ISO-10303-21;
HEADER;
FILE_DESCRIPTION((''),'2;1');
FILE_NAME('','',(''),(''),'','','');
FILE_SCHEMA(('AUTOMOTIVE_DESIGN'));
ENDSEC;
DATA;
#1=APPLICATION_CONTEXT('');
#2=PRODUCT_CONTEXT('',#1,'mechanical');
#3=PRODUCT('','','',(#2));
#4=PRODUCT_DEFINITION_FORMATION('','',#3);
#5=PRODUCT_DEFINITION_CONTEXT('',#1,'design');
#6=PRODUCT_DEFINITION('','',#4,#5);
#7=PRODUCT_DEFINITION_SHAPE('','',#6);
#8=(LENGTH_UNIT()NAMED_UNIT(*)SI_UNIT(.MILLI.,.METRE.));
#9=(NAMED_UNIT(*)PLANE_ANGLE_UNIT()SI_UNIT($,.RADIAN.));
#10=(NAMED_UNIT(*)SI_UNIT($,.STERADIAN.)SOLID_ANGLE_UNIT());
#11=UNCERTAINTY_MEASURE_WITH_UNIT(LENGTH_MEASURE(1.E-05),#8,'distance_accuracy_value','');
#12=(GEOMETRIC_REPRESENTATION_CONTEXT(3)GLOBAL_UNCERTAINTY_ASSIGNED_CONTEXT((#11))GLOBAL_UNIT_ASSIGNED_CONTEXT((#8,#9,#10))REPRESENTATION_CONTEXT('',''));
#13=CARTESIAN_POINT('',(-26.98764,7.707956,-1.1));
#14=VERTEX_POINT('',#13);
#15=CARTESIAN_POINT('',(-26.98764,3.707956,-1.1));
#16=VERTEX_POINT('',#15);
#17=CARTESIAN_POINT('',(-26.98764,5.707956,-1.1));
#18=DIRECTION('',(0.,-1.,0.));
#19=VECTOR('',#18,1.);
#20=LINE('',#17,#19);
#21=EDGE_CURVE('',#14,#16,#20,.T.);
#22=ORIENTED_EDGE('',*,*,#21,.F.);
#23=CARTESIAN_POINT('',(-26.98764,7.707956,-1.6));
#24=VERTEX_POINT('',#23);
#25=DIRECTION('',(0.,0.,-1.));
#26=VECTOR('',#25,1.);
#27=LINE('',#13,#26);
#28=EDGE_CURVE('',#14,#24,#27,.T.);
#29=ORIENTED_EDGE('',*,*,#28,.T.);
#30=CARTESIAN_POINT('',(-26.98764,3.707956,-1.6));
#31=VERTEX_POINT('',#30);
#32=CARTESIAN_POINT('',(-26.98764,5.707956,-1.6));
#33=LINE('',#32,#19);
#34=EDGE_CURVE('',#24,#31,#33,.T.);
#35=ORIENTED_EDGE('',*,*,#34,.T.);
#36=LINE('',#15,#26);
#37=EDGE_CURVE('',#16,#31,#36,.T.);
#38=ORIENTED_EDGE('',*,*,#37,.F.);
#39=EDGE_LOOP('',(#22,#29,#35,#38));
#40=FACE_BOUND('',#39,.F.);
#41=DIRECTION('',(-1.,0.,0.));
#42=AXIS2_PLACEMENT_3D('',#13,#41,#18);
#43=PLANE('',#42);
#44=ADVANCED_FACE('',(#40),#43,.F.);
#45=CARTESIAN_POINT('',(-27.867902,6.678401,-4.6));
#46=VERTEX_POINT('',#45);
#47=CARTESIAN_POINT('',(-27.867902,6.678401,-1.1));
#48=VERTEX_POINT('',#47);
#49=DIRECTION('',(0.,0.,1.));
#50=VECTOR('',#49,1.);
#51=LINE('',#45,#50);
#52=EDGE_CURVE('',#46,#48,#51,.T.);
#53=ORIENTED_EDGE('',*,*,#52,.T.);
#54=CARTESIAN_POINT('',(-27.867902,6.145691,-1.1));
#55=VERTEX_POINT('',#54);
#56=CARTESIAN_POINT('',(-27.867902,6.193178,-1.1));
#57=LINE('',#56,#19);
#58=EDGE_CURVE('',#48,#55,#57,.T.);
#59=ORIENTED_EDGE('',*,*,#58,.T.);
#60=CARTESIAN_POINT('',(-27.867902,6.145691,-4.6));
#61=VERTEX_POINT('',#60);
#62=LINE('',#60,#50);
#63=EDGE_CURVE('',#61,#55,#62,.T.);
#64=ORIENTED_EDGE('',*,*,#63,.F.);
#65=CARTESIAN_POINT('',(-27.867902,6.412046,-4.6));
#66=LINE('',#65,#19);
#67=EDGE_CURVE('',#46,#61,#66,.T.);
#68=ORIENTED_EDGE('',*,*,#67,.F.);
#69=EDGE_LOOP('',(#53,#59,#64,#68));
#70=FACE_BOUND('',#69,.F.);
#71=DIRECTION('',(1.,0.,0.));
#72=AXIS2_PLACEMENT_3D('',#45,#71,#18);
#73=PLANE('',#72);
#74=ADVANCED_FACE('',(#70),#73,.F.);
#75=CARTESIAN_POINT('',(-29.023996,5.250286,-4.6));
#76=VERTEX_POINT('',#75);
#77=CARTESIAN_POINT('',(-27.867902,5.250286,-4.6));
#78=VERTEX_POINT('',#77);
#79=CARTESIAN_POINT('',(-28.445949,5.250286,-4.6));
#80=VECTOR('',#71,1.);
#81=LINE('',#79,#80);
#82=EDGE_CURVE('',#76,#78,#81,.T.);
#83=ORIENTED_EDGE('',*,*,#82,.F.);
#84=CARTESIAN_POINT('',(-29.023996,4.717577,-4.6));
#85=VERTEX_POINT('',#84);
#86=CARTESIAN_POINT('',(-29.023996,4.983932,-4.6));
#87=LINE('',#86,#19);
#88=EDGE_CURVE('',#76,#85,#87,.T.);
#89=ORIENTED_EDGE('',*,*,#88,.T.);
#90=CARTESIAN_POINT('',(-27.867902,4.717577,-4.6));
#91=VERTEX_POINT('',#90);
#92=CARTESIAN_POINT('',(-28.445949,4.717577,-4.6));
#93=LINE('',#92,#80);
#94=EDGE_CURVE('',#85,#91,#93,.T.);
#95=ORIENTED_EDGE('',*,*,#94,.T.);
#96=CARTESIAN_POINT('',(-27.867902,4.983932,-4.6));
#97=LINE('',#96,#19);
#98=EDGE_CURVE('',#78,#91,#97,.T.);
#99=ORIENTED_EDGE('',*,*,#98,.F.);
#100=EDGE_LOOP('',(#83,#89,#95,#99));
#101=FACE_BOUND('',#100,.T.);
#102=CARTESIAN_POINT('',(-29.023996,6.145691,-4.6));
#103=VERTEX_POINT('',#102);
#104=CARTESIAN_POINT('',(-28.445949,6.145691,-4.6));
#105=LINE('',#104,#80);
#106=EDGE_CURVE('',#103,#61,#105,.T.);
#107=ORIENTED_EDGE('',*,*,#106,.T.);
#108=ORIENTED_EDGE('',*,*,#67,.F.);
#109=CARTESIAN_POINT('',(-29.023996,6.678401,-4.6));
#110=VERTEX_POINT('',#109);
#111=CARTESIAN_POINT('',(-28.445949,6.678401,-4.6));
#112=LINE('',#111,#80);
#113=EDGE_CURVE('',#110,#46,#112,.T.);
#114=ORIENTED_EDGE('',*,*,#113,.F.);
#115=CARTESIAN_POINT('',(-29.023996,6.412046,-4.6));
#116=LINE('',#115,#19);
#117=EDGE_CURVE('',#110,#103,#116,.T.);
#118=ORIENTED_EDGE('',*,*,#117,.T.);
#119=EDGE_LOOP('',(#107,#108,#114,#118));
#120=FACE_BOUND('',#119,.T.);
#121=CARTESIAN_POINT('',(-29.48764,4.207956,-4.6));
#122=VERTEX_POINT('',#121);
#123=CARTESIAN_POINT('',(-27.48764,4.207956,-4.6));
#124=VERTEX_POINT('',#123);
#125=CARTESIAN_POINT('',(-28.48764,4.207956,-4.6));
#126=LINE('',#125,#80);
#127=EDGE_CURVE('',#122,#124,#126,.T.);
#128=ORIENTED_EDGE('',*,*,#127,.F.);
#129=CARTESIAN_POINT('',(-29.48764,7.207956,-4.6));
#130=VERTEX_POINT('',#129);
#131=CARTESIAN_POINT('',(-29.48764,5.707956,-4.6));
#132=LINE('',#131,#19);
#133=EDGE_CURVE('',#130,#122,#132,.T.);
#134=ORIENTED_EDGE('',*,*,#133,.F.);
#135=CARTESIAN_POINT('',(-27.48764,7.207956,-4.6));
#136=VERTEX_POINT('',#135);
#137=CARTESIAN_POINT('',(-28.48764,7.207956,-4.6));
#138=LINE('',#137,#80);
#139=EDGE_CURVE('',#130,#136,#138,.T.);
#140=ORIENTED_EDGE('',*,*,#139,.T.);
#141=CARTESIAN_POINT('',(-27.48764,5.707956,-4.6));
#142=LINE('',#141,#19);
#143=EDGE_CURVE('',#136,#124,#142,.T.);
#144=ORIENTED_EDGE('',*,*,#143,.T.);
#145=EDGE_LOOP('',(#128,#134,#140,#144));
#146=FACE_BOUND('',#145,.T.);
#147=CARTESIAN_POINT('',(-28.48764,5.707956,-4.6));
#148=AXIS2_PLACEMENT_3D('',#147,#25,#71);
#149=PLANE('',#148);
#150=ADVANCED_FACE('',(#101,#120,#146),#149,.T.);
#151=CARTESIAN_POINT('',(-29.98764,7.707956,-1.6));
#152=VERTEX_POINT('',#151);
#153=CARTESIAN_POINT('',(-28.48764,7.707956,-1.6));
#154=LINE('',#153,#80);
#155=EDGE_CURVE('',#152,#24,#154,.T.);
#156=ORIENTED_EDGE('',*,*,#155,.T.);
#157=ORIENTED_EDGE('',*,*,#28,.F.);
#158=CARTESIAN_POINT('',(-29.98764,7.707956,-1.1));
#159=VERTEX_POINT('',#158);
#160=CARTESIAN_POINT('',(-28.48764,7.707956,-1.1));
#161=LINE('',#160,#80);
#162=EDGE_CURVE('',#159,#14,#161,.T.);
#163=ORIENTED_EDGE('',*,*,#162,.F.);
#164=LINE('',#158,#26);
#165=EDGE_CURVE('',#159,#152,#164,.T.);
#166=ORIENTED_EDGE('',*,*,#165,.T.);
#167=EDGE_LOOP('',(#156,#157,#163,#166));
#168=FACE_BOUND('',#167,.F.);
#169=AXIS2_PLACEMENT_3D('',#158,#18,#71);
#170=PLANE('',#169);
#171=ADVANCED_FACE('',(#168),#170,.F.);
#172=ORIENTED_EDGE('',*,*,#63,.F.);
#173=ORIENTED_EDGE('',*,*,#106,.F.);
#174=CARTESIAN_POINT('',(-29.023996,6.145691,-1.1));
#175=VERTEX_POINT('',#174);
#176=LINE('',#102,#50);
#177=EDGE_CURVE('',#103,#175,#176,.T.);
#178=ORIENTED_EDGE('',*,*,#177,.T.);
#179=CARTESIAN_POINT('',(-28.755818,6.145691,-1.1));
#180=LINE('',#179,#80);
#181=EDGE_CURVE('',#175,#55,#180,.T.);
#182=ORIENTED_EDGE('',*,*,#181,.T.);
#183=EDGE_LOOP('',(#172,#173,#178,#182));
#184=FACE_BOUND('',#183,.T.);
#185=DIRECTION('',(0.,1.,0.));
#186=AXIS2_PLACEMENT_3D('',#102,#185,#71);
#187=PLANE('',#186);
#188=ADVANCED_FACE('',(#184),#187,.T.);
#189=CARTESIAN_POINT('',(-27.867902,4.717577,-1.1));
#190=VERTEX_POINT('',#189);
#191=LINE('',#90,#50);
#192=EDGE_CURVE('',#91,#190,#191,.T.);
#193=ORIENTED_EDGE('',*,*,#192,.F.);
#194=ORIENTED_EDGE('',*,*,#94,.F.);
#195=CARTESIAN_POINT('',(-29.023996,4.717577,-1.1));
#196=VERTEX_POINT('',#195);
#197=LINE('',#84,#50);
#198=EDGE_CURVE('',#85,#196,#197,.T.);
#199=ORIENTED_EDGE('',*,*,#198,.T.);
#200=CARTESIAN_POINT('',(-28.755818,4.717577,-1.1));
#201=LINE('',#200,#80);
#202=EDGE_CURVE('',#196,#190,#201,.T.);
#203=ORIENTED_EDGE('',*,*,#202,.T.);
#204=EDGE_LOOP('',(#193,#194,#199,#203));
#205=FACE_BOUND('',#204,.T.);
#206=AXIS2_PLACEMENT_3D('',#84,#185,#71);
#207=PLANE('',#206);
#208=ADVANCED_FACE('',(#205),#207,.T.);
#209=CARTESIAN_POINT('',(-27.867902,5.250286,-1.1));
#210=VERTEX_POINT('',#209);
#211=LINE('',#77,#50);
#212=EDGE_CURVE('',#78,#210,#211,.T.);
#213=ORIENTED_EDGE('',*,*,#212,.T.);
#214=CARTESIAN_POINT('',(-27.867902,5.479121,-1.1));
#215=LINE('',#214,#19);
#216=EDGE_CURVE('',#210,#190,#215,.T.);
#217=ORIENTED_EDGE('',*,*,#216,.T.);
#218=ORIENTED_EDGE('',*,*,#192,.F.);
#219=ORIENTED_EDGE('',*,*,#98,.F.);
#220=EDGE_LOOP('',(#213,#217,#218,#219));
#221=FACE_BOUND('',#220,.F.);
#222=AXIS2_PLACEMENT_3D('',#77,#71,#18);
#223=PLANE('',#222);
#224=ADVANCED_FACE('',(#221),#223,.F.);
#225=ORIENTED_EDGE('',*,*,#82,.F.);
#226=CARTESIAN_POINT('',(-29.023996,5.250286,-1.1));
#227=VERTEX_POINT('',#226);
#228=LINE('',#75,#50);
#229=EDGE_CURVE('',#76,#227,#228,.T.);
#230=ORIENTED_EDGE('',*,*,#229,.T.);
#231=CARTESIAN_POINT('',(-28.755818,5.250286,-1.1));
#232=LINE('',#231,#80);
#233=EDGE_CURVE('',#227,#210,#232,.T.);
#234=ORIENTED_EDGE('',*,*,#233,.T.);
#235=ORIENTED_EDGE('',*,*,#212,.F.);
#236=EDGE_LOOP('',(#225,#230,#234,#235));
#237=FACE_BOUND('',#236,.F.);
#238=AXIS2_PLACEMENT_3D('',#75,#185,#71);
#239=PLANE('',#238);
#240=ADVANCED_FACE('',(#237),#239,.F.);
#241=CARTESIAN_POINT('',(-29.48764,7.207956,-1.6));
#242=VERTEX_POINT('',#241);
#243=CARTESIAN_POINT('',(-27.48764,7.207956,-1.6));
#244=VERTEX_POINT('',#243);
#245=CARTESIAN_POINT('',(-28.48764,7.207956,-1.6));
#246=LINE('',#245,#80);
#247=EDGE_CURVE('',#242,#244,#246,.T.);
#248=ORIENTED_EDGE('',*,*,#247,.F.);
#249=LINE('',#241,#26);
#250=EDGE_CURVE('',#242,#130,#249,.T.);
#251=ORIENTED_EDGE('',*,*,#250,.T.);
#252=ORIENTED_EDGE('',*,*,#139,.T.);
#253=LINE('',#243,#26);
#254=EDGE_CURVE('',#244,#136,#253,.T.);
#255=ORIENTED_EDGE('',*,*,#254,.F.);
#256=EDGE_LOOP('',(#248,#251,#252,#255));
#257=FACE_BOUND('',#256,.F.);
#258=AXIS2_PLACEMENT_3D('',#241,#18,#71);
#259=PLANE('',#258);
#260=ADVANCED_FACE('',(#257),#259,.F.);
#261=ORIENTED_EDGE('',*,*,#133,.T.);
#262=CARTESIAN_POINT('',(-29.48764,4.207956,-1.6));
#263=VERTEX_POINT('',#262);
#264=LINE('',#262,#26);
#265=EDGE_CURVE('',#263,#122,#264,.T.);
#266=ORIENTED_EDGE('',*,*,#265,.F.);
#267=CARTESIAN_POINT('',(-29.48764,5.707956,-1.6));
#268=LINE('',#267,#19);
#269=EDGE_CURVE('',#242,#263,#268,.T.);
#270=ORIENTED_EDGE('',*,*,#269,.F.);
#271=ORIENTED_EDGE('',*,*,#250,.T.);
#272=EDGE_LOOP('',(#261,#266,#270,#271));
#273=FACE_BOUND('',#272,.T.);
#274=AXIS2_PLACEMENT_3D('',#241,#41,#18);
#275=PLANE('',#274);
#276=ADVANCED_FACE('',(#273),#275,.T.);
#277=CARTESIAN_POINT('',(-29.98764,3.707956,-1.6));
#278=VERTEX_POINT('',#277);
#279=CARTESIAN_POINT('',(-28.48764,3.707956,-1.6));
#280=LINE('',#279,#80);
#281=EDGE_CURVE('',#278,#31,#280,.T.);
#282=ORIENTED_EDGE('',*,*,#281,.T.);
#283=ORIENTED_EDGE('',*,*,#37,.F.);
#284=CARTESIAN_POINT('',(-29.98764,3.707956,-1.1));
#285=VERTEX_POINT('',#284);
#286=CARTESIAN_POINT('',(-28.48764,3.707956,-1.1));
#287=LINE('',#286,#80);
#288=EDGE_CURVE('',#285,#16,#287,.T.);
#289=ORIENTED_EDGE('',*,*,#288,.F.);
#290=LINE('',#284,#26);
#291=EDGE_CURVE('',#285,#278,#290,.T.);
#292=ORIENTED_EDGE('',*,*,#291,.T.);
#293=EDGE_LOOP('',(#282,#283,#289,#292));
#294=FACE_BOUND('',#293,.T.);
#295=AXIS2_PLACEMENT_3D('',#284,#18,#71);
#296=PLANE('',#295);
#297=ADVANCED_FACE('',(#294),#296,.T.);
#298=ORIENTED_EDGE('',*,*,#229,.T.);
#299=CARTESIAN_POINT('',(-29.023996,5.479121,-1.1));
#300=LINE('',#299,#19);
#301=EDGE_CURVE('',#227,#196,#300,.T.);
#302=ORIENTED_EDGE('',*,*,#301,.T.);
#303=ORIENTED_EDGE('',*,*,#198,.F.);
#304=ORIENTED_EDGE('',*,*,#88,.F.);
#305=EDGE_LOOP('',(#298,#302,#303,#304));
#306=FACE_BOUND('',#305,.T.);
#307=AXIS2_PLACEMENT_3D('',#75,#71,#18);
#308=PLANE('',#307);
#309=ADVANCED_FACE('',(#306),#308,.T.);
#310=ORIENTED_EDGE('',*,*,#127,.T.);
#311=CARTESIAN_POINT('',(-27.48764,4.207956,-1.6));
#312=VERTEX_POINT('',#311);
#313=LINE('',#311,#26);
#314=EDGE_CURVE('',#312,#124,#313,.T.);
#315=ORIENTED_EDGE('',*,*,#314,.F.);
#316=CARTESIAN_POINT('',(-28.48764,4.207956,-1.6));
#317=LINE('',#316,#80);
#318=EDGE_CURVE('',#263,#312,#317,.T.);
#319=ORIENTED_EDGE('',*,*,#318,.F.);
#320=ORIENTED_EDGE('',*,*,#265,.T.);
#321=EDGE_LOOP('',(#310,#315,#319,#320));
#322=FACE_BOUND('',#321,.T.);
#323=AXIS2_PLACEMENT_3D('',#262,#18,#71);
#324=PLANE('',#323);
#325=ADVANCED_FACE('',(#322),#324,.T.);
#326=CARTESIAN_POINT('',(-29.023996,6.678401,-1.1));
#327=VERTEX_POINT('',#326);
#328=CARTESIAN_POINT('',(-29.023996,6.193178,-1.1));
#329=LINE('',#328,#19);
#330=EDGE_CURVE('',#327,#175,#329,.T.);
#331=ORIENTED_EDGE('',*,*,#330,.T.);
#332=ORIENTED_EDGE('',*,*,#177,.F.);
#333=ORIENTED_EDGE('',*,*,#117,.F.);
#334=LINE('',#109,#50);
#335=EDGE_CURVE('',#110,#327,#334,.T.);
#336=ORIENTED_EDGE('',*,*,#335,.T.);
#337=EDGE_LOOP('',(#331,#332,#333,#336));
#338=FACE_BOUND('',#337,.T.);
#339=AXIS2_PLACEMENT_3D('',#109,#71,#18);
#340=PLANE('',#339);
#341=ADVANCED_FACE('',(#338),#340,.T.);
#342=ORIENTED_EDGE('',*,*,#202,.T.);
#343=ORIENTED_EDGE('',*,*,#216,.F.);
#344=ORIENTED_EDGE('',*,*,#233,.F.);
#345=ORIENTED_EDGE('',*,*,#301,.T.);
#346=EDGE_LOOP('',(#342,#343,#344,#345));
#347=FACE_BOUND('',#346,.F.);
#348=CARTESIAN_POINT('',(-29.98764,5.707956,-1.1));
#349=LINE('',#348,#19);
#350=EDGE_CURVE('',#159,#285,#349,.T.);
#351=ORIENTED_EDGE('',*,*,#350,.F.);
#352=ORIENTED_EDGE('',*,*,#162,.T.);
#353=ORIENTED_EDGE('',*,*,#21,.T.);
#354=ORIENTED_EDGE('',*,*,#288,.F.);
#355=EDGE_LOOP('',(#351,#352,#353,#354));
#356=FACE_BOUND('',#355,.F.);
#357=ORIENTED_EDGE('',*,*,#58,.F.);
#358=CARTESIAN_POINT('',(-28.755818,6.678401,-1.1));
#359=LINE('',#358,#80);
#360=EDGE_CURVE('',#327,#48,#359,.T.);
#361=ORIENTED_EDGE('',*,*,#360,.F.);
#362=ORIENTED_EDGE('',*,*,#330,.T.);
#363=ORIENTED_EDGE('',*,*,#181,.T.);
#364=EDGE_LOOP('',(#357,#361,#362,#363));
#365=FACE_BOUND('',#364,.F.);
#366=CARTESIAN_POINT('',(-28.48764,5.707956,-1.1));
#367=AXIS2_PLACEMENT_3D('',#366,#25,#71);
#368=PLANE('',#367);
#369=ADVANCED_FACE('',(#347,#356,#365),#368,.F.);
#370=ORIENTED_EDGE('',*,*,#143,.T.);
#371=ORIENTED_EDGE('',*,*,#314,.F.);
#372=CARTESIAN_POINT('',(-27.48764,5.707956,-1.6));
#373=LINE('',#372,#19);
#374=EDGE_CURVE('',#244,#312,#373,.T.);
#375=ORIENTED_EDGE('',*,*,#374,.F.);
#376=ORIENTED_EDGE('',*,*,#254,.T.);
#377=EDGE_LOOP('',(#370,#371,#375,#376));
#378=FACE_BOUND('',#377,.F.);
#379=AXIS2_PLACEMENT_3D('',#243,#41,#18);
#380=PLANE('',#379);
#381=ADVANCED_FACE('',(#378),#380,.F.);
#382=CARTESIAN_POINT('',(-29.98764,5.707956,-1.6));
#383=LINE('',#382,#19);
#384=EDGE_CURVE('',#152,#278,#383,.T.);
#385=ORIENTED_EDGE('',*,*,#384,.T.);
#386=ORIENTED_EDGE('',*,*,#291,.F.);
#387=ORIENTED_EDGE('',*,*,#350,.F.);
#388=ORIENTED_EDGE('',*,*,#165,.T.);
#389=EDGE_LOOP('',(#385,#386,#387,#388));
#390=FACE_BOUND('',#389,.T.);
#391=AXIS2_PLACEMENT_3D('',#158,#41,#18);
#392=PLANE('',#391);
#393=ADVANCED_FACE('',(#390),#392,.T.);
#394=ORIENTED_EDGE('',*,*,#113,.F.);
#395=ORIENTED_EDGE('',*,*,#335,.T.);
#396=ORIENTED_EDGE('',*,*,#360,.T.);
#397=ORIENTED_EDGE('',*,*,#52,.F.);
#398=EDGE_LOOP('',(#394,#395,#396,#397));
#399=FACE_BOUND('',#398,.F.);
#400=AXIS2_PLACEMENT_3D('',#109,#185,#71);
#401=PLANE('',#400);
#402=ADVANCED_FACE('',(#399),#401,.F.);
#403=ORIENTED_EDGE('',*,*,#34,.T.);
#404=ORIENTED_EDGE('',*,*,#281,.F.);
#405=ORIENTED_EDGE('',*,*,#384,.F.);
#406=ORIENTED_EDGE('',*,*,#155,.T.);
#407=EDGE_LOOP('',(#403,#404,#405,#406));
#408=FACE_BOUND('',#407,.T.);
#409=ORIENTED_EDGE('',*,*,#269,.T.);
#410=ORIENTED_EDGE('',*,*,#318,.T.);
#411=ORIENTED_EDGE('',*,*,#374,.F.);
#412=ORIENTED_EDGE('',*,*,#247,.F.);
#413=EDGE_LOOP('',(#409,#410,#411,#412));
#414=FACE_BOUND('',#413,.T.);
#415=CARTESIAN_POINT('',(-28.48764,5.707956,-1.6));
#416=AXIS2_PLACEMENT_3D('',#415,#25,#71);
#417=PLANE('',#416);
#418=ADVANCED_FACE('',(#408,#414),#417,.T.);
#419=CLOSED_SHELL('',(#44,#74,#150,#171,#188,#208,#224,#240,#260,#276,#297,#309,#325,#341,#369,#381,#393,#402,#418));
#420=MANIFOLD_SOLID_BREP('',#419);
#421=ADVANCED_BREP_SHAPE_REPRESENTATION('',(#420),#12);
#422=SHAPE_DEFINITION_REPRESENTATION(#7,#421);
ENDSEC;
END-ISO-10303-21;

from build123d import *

# Parameters (mm, degrees)
SKETCH016_W     = 3
SKETCH016_H     = 4
PAD006_DEPTH    = 0.5
SKETCH017_W     = 2
SKETCH017_H     = 3
PAD007_DEPTH    = 3
SKETCH018_W     = 1.156093
SKETCH018_H     = 0.532709
POCKET002_DEPTH = 5


with BuildPart() as part:
    # Sketch016 (on ShapeBinder) → Pad006 (new body)
    with BuildSketch(Plane(origin=(0, 0, -1.1), x_dir=(1, 0, 0), z_dir=(0, 0, -1))):
        with Locations((-28.48764, -5.707956)):
            Rectangle(SKETCH016_W, SKETCH016_H)
    extrude(amount=PAD006_DEPTH)

    # Sketch017 (on Face6 of Pad006) → Pad007 (join)
    with BuildSketch(Plane(origin=(0, 0, -1.6), x_dir=(1, 0, 0), z_dir=(0, 0, -1))):
        with Locations((-28.48764, -5.707956)):
            Rectangle(SKETCH017_W, SKETCH017_H)
    extrude(amount=PAD007_DEPTH)

    # Sketch018 (on Face11 of Pad007) → Pocket002 (cut)
    with BuildSketch(Plane(origin=(0, 0, -4.6), x_dir=(1, 0, 0), z_dir=(0, 0, -1))):
        with Locations((-28.445949, -4.983932)):
            Rectangle(SKETCH018_W, SKETCH018_H)
        with Locations((-28.445949, -6.412046)):
            Rectangle(SKETCH018_W, SKETCH018_H)
    extrude(amount=-POCKET002_DEPTH, mode=Mode.SUBTRACT)


solid = part.part
